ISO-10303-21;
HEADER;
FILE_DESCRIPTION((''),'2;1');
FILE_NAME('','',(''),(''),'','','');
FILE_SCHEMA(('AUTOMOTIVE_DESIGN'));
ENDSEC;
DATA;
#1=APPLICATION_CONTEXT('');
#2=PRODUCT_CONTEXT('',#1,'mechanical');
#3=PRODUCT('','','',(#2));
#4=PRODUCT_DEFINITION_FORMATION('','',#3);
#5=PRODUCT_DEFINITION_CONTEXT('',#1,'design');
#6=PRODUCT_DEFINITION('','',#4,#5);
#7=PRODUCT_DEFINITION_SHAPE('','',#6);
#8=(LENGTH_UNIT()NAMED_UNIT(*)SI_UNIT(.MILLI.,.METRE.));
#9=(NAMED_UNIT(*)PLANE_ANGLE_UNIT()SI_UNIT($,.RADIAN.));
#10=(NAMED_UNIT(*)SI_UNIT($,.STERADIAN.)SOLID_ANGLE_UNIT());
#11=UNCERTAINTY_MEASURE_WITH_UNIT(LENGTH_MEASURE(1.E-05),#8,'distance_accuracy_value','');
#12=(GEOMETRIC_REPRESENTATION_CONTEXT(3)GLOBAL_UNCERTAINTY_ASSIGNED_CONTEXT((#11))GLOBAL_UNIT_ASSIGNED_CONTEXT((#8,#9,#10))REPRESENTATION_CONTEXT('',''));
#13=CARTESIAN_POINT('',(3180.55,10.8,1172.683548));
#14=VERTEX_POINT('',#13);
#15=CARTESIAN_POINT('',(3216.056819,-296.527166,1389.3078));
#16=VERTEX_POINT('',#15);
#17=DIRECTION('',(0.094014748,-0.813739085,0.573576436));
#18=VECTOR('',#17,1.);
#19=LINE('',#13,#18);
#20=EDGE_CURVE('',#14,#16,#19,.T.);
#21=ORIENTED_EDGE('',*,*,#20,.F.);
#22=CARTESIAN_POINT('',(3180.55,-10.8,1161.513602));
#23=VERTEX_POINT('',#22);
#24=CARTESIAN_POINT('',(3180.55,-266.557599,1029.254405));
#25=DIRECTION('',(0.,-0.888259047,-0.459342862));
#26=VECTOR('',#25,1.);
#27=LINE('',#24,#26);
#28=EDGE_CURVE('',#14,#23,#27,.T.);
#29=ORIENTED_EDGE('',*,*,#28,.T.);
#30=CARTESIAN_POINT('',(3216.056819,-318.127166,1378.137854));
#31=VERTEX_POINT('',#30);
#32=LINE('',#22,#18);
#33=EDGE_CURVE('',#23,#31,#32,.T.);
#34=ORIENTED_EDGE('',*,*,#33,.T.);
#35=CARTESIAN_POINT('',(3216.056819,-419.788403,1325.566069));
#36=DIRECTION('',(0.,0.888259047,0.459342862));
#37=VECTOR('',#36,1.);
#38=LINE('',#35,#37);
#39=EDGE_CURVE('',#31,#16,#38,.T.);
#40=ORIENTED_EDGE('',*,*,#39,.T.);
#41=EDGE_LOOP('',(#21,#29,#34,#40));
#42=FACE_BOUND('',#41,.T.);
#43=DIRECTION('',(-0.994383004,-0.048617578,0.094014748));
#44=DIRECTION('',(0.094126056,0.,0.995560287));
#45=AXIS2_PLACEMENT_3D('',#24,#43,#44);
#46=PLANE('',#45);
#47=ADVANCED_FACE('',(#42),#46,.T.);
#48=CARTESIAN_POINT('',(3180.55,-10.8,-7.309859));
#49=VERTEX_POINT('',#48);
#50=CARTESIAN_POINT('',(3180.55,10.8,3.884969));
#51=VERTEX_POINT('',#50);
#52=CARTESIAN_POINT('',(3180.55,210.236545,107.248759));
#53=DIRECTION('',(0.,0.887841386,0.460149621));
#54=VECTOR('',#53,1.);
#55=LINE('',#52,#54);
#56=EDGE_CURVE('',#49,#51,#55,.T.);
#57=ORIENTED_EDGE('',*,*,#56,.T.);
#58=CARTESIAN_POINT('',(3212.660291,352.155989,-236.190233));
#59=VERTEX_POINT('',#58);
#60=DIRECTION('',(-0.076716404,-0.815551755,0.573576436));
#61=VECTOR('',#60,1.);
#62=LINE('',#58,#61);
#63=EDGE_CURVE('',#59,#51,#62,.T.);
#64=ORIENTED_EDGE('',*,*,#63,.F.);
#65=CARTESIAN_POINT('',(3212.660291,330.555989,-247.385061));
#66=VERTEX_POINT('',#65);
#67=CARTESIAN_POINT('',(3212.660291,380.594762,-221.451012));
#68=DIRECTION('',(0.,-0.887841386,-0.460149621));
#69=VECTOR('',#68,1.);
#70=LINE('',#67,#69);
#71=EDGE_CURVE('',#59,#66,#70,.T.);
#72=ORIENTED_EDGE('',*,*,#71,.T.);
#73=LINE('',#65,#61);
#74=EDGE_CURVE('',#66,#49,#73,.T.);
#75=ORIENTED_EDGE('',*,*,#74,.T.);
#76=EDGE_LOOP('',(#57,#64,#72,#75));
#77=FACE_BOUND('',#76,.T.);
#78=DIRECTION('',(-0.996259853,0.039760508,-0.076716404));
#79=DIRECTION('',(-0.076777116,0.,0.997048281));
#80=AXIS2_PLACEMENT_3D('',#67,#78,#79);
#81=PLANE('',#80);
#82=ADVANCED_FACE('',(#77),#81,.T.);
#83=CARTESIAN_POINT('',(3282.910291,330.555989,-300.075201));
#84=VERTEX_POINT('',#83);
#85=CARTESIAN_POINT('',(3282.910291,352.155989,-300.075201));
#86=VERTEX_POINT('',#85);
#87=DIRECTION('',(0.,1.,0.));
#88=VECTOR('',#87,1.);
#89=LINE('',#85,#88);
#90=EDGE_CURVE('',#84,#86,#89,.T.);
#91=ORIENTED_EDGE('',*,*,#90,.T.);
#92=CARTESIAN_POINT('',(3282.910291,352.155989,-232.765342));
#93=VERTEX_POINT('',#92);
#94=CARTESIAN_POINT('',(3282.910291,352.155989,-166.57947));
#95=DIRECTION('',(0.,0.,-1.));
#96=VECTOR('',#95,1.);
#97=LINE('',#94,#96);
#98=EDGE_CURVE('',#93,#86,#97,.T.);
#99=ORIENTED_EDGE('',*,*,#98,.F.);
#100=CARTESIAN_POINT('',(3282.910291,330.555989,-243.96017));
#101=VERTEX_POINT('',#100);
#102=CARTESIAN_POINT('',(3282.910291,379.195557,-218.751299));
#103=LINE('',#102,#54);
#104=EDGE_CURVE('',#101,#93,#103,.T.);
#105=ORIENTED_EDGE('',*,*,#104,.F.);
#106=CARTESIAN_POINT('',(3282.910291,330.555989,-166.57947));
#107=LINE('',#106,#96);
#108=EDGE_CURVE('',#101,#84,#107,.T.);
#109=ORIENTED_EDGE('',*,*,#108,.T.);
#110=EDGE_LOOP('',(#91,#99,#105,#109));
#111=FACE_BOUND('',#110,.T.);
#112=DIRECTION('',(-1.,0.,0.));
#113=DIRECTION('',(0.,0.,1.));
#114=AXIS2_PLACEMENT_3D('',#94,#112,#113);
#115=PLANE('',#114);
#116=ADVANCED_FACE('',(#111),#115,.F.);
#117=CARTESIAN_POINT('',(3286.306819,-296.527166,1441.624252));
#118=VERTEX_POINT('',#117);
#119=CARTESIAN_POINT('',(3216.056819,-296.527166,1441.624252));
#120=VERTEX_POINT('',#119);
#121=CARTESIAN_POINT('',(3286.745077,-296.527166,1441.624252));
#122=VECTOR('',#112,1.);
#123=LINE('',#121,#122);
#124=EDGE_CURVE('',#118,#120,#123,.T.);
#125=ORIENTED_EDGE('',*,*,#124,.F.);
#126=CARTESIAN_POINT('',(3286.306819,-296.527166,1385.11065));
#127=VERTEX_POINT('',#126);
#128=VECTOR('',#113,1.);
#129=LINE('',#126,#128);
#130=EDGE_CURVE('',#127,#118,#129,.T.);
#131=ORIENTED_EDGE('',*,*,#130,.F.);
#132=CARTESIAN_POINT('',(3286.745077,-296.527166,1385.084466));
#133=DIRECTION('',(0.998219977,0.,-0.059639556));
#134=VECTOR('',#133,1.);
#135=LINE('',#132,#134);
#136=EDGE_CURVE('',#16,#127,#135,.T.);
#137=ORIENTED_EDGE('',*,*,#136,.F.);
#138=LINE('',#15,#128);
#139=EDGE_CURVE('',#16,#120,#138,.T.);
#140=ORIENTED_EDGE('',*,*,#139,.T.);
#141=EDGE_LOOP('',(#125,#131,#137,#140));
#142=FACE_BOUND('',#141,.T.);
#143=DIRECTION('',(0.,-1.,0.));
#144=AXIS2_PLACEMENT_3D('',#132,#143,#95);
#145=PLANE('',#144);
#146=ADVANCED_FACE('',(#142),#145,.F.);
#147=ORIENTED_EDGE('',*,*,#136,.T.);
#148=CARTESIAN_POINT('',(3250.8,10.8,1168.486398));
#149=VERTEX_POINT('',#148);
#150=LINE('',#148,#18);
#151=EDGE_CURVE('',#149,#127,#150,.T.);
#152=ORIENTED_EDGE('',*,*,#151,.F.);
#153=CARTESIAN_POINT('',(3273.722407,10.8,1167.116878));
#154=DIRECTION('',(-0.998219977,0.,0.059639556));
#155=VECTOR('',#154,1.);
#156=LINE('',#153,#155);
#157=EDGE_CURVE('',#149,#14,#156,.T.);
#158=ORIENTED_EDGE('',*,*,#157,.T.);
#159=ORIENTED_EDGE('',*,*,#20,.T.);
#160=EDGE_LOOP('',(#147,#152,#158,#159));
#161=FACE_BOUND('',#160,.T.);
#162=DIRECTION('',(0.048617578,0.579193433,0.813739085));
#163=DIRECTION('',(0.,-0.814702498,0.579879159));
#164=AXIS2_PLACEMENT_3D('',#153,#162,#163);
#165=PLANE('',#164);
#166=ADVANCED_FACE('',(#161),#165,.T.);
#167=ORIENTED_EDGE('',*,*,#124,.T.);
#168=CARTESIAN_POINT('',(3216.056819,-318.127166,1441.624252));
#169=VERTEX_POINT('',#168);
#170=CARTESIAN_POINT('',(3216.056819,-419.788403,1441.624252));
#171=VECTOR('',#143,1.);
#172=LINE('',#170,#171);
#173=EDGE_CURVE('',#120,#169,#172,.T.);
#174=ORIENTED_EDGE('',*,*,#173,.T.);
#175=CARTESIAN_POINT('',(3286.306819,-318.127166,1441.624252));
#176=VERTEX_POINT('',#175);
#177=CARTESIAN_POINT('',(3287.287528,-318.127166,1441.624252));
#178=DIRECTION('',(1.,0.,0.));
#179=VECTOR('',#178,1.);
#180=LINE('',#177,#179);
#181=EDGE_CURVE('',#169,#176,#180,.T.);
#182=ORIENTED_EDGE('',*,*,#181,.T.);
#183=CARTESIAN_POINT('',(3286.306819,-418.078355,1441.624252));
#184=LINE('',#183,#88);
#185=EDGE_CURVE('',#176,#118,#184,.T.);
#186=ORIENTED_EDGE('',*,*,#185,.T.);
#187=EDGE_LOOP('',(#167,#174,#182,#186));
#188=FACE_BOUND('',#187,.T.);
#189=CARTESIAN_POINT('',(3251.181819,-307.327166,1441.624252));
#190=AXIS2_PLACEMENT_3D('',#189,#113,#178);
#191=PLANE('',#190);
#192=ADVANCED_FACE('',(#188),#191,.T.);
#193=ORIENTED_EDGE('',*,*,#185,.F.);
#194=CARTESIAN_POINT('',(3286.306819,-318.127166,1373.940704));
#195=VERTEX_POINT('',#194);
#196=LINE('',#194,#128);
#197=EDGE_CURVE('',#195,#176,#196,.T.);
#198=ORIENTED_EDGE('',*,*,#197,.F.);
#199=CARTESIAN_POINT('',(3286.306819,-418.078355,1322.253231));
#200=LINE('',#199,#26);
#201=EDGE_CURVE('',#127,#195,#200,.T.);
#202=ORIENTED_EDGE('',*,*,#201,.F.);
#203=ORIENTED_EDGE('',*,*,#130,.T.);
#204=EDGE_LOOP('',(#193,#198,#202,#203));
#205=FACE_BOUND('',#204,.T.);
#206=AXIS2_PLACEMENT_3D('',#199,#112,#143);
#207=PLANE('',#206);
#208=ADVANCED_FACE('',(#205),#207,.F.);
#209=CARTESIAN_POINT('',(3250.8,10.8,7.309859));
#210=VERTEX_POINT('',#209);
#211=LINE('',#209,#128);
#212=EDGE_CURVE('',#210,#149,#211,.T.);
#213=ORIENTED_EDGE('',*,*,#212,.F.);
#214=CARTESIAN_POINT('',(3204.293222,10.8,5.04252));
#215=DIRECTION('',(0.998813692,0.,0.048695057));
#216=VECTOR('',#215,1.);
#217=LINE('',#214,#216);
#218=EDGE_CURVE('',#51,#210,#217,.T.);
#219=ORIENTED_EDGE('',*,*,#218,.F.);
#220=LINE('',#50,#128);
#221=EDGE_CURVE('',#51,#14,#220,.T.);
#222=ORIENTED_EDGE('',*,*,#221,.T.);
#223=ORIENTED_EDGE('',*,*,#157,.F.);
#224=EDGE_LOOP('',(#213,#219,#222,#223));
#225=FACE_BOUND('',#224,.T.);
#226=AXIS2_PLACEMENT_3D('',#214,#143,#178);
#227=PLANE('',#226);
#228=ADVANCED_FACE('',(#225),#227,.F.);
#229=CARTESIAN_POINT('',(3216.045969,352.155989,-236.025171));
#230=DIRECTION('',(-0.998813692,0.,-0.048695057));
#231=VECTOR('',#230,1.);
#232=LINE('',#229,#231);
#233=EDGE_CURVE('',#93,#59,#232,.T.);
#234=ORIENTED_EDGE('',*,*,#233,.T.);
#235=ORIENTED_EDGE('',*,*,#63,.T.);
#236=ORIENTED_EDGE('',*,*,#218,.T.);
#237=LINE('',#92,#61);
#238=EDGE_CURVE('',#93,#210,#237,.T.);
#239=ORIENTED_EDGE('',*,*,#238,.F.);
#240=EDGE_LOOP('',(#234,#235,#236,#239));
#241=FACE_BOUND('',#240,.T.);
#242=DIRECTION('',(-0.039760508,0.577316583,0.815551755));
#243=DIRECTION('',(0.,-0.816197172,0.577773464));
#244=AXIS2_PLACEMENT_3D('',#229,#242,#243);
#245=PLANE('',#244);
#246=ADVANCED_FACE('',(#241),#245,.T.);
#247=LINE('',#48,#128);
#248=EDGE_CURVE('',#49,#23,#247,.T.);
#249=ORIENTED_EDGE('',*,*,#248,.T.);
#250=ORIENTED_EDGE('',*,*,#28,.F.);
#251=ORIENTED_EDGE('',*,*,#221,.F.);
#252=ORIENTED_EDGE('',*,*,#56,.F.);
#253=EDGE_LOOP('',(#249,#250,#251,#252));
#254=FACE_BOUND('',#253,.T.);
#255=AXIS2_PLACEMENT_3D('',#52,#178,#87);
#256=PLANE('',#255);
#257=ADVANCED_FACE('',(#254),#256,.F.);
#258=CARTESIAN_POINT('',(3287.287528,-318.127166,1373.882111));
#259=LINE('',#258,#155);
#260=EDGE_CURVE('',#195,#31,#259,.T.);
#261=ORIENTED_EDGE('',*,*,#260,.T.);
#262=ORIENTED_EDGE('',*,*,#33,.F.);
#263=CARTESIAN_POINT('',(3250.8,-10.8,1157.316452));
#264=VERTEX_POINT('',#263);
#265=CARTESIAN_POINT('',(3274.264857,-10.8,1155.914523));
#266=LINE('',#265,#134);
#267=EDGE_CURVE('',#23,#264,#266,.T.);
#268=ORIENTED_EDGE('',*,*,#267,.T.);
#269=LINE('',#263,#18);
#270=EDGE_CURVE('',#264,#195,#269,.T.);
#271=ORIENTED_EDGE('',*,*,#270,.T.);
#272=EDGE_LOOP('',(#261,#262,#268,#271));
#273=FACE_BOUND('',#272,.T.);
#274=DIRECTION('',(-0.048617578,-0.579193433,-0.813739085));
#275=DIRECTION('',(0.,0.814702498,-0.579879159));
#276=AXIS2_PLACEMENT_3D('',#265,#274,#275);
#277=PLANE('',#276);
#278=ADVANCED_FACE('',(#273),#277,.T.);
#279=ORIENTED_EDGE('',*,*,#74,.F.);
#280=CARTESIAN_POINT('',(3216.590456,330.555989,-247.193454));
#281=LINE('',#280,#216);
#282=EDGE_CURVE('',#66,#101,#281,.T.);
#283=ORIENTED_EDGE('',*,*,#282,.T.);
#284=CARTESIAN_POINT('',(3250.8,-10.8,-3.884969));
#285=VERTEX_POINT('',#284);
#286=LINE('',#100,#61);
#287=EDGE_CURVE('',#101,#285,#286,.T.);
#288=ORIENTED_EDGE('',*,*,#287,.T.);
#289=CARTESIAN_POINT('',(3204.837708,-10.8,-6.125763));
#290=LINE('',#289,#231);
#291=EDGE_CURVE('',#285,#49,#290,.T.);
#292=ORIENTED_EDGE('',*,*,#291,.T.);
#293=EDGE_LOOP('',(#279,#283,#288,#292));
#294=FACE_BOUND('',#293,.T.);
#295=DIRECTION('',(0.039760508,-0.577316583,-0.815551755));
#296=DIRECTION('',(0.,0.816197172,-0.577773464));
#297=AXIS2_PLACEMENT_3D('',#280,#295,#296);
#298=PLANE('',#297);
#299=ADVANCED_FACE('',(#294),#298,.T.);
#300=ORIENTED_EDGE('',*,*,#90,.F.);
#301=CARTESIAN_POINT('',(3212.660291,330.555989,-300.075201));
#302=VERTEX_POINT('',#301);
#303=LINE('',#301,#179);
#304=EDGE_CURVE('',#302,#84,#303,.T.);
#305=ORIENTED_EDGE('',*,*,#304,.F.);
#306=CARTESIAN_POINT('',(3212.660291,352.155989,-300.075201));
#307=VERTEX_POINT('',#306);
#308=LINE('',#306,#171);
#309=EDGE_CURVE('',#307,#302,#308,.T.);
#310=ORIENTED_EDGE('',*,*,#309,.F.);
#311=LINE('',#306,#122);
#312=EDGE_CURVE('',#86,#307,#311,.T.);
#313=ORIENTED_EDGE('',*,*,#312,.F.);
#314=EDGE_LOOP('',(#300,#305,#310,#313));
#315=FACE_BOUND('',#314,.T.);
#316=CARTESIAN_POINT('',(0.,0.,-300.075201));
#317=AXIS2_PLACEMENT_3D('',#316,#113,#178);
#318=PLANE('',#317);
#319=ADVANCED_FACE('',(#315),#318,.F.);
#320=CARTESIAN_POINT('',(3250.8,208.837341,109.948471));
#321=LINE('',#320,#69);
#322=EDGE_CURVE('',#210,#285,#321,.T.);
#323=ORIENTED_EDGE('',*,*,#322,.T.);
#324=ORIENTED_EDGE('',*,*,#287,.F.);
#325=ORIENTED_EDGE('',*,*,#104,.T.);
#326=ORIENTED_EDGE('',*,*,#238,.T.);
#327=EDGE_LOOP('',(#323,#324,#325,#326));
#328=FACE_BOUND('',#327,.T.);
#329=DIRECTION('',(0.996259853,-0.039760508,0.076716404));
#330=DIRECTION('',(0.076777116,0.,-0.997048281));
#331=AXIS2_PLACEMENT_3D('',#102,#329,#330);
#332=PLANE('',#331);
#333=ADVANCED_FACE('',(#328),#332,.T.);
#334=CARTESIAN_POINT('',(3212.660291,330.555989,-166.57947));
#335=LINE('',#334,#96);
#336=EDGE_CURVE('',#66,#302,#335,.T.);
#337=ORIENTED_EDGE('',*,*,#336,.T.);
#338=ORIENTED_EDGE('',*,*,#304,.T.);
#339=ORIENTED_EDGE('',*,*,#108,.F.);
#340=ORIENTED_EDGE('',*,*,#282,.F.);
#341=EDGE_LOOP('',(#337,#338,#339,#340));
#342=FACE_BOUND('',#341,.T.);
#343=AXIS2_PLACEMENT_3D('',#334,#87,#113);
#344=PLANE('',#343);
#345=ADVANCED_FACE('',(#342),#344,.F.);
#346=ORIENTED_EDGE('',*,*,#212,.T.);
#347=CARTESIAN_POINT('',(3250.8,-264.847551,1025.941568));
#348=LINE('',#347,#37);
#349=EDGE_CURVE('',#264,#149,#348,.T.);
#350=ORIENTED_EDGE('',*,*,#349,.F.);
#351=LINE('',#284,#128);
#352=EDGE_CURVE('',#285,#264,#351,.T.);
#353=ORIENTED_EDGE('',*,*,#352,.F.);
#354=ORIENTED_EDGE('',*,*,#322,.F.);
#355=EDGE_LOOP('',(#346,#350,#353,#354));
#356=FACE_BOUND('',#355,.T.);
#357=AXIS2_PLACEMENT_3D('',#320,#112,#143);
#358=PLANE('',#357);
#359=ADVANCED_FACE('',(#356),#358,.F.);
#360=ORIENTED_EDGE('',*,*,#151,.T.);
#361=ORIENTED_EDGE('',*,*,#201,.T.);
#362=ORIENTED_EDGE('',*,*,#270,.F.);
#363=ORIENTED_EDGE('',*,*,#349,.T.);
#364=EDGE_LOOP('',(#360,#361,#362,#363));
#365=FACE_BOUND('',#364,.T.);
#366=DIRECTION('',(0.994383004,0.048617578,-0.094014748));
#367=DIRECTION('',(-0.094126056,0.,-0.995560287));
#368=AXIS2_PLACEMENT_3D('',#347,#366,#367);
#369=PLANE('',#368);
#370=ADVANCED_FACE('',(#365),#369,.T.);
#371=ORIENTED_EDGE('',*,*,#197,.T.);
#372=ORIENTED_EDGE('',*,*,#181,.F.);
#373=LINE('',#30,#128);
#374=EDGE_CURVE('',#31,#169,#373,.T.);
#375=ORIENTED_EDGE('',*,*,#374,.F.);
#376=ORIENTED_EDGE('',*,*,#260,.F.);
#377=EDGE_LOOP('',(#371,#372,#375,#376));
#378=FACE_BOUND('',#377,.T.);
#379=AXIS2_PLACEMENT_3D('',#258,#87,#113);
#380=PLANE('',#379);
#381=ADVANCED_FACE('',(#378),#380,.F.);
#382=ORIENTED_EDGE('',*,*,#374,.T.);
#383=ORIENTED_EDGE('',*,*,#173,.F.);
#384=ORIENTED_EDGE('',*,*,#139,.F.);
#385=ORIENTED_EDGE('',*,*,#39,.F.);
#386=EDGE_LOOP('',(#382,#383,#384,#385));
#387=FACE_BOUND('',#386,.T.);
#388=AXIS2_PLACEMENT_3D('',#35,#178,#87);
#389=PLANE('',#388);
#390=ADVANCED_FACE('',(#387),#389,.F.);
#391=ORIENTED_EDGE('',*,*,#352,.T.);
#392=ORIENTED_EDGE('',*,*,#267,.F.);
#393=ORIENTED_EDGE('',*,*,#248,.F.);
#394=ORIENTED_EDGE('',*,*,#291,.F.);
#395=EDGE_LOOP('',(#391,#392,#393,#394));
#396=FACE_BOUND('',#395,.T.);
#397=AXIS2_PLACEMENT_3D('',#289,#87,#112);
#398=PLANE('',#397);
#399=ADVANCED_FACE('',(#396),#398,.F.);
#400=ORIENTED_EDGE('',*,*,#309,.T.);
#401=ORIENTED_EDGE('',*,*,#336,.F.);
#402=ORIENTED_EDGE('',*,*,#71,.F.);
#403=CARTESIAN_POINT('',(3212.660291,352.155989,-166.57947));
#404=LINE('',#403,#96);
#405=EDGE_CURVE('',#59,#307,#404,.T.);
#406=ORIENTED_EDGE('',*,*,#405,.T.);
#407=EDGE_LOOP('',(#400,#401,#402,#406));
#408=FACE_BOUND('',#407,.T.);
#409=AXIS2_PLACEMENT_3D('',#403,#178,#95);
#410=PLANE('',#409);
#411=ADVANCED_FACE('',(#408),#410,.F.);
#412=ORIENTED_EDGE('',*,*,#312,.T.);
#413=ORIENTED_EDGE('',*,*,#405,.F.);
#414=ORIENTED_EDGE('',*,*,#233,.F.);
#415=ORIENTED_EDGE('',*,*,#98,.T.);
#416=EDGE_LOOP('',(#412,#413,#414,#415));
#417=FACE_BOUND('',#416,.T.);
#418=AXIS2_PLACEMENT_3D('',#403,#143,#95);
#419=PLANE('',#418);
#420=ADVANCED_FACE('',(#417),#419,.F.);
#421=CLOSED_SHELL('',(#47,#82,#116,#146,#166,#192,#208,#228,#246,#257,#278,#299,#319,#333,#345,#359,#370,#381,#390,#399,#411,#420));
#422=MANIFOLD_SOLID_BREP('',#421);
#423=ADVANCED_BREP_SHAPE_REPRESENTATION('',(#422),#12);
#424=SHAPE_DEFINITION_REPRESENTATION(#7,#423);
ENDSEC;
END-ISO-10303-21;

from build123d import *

# Parameters (mm, degrees)
SKETCH2_W = 70.25
SKETCH2_H = 21.6


with BuildPart() as part:
    # Sweep1: sweep along a curve in space
    with BuildLine() as sweep1_path:
        Line((3251.181818755, -307.327166096, 1441.624252092), (3251.181818755, -307.327166096, 1381.624252092))
        Line((3215.675, 0, 1165), (3251.181818755, -307.327166096, 1381.624252092))
        Line((3215.675, 0, 1165), (3215.675, 0, 0))
        Line((3215.675, 0, 0), (3247.785290657, 341.355989282, -240.075201436))
        Line((3247.785290657, 341.355989282, -240.075201436), (3247.785290657, 341.355989282, -300.075201436))
    # Sketch2 → Sweep1 (sweep)
    with BuildSketch(Plane(origin=(3247.785290657, 341.355989282, -300.075201436), x_dir=(1, 0, 0), z_dir=(0, 0, 1))):
        Rectangle(SKETCH2_W, SKETCH2_H)
    sweep(path=sweep1_path.line, transition=Transition.RIGHT)


solid = part.part
